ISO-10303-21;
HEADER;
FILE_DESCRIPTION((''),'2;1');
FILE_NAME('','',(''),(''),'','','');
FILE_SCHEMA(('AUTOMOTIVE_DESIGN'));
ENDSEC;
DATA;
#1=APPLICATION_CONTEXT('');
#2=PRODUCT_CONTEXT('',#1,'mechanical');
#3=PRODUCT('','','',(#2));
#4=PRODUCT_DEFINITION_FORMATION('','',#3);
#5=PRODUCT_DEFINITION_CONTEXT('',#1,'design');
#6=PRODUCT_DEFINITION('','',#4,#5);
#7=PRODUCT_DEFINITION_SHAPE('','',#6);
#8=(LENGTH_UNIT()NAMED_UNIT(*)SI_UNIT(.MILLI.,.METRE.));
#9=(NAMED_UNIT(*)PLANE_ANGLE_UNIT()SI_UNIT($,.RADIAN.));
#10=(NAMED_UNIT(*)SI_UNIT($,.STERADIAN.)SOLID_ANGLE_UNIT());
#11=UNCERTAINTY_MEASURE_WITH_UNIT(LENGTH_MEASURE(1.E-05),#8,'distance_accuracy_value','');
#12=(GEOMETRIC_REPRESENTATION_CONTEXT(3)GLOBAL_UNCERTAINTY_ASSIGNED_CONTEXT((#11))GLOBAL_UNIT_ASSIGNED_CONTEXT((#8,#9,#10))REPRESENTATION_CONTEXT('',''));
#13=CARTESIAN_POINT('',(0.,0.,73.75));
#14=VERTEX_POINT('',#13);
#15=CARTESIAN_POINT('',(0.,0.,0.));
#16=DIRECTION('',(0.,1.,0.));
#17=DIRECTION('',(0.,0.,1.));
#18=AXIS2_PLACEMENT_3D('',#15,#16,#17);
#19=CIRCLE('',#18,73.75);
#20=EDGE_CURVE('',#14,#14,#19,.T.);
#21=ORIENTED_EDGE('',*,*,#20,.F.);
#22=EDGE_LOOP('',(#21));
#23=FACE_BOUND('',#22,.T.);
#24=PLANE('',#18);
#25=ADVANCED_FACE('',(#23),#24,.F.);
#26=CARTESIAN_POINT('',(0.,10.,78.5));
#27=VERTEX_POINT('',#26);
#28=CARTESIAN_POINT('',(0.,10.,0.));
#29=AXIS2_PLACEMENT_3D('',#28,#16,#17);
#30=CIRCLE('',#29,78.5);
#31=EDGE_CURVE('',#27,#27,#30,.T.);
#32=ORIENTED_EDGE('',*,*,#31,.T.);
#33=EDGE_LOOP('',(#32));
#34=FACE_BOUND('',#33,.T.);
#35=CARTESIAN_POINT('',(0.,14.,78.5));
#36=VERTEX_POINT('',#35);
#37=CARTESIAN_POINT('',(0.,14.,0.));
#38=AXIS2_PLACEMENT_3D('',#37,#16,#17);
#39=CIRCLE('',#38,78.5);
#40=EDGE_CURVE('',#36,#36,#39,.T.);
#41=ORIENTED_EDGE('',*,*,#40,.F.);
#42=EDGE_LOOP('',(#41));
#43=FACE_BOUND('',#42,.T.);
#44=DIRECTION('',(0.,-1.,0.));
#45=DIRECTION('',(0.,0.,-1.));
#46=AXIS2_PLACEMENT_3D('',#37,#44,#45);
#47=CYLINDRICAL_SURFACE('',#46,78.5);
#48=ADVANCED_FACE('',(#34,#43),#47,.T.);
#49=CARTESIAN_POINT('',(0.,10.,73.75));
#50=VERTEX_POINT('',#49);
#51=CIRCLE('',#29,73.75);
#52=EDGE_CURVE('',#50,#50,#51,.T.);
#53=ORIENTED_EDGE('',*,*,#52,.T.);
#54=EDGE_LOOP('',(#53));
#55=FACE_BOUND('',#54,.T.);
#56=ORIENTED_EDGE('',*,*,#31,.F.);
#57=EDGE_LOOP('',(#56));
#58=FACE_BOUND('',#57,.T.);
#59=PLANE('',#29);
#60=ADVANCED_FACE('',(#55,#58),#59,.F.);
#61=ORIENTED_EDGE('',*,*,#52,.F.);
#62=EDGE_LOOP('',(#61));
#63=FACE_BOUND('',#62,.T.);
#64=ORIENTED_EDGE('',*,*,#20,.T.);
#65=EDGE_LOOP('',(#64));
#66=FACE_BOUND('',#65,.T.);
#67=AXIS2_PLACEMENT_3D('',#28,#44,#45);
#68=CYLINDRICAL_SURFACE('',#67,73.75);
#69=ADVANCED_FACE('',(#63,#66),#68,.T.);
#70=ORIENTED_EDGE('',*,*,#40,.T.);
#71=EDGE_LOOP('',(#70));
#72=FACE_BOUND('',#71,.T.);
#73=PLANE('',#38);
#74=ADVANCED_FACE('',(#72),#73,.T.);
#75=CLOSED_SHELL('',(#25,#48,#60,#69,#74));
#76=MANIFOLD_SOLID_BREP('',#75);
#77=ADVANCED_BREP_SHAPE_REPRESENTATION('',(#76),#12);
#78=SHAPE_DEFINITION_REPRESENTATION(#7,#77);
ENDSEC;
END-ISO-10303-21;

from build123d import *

# Parameters (mm, degrees)
SKETCH1_R           = 73.75
BOSS_EXTRUDE1_DEPTH = 10
SKETCH2_R           = 78.5
BOSS_EXTRUDE2_DEPTH = 4


with BuildPart() as part:
    # Sketch1 → Boss-Extrude1 (new body)
    with BuildSketch(Plane(origin=(0, 0, 0), x_dir=(1, 0, 0), z_dir=(0, 1, 0))):
        Circle(SKETCH1_R)
    extrude(amount=BOSS_EXTRUDE1_DEPTH)

    # Sketch2 → Boss-Extrude2 (add)
    with BuildSketch(Plane(origin=(0, 10, 0), x_dir=(1, 0, 0), z_dir=(0, 1, 0))):
        Circle(SKETCH2_R)
    extrude(amount=BOSS_EXTRUDE2_DEPTH)


solid = part.part
